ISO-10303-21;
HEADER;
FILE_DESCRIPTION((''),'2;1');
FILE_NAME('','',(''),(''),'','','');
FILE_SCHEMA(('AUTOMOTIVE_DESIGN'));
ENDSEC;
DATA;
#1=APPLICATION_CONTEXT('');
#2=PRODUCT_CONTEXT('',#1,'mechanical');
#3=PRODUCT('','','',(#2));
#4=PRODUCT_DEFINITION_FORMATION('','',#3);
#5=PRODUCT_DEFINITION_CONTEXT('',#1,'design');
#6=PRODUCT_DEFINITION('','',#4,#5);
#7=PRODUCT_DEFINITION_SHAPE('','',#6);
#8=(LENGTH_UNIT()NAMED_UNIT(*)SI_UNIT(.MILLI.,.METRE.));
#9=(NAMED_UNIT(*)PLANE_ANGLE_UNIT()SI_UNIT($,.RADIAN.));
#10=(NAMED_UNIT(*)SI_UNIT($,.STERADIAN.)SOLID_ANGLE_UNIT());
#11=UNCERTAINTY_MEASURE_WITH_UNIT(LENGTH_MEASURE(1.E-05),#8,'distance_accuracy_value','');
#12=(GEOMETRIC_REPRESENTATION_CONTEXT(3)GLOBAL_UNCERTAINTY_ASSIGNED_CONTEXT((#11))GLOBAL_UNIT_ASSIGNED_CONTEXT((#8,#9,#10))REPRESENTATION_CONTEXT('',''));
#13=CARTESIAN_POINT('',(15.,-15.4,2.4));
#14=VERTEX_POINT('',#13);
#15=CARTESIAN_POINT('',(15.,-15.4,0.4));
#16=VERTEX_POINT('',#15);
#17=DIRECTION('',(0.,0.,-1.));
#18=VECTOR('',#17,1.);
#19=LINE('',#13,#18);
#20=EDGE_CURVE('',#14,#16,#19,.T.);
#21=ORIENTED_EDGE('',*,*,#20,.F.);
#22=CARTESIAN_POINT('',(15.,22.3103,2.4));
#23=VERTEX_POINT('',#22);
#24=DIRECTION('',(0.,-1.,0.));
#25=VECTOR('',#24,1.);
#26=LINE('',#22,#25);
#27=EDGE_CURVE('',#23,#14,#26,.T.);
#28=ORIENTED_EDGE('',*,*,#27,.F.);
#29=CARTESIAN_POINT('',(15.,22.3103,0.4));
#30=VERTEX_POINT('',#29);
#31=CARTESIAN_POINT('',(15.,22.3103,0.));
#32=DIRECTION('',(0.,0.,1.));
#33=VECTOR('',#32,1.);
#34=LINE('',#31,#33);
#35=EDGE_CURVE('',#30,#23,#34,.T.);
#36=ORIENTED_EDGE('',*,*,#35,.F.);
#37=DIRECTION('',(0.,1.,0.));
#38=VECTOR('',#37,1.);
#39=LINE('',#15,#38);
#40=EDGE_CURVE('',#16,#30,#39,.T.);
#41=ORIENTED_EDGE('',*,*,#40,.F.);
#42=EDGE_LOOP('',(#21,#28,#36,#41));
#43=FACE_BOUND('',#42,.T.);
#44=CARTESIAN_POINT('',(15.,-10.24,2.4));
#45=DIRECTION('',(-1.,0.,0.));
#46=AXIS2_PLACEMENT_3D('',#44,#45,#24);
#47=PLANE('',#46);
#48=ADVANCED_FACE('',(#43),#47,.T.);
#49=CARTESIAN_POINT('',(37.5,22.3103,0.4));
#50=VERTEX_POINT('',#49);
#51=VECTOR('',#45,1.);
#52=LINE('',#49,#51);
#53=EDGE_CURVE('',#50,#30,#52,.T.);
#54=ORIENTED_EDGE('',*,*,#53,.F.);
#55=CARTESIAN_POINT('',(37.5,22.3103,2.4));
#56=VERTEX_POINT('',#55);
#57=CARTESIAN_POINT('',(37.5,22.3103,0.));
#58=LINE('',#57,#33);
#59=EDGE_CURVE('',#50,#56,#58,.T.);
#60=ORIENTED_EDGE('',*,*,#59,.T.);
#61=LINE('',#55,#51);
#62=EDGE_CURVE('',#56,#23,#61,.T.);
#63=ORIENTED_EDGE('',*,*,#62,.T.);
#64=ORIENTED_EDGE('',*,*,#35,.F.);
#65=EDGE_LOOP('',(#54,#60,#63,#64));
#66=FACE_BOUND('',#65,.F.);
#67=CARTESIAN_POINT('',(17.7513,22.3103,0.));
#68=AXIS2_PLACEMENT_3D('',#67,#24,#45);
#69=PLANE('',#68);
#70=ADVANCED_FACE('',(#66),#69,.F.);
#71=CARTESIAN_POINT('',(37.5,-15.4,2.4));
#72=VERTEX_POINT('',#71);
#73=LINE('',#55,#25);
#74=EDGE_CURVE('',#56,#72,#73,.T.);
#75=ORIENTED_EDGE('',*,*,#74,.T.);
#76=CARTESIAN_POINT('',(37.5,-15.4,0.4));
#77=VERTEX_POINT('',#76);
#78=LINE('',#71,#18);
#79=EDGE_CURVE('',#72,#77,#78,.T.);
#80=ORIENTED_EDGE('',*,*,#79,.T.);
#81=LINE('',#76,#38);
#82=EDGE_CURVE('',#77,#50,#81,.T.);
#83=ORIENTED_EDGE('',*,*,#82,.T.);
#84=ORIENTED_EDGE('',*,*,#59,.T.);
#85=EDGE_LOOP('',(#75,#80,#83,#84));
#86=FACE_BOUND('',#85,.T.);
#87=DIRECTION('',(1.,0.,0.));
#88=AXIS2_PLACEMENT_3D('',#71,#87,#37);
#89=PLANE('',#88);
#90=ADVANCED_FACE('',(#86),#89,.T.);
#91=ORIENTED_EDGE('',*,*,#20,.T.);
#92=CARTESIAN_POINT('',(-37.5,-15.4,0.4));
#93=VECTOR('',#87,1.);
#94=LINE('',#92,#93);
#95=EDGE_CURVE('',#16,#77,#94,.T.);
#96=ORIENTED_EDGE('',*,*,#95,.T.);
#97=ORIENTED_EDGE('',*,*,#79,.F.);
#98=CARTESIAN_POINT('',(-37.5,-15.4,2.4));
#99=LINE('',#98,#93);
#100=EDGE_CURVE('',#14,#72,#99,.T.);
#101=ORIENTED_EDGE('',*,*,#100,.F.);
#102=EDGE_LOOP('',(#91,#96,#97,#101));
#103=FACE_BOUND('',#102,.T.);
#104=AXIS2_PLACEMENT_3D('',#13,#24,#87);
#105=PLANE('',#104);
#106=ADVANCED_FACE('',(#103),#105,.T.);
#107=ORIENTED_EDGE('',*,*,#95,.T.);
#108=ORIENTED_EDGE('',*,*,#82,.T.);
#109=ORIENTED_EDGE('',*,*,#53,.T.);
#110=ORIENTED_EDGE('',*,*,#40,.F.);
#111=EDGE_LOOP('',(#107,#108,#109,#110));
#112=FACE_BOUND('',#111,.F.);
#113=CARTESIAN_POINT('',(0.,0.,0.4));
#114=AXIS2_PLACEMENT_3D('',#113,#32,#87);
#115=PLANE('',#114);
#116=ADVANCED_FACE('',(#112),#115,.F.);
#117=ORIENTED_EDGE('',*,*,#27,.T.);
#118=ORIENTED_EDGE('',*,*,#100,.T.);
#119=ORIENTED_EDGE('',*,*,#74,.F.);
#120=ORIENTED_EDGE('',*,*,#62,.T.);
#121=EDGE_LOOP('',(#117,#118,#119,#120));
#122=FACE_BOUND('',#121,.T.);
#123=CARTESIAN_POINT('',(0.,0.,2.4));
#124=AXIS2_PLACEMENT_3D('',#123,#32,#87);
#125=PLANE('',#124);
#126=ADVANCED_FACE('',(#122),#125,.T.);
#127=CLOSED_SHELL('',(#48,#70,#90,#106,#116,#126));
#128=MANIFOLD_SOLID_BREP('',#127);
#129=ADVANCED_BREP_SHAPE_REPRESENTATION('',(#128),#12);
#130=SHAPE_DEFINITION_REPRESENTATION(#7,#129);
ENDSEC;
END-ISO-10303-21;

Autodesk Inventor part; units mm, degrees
ref_plane "YZ Plane" through (0, 0, 0) normal (1, 0, 0) x (0, 1, 0)
ref_plane "XZ Plane" through (0, 0, 0) normal (0, 1, 0) x (-1, 0, 0)
ref_plane "XY Plane" through (0, 0, 0) normal (0, 0, 1) x (1, 0, 0)
sketch "Sketch1" plane through (0, 0, 0) normal (0, 0, 1) x (1, 0, 0)
  circle A0 centre (7.5, -12.2) radius 1.75 projected
  circle A1 centre (-7.5, -12.2) radius 1.75 projected
  line L0 (-15, -5.24) -> (-12.5, -5.24) projected
  arc A2 (-12.5, -10.24) -> (-12.5, -5.24) centre (-12.5, -7.74) ccw projected
  line L1 (-12.5, -10.24) -> (-15, -10.24) projected
  line L2 (-15, -10.24) -> (-15, -5.24) projected
  line L3 (12.5, -5.24) -> (15, -5.24) projected
  line L4 (15, -5.24) -> (15, -10.24) projected
  line L5 (15, -10.24) -> (12.5, -10.24) projected
  arc A3 (12.5, -5.24) -> (12.5, -10.24) centre (12.5, -7.74) ccw projected
  line L6 (37.5, -15.4) -> (37.5, 31.2121) projected
  line L7 (37.5, 31.2121) -> (14.8602, 31.2121) projected
  line L8 (14.8602, 31.2121) -> (14.8602, 15.1552) projected
  line L9 (14.8602, 15.1552) -> (2.8777, -5.8186) projected
  line L10 (2.8777, -5.8186) -> (-2.8777, -5.8186) projected
  line L11 (-2.8777, -5.8186) -> (-15, 15.4) projected
  line L12 (-15, 15.4) -> (-15, 31.2121) projected
  line L13 (-15, 31.2121) -> (-37.5, 31.2121) projected
  line L14 (-37.5, 31.2121) -> (-37.5, -15.4) projected
  line L15 (-37.5, -15.4) -> (37.5, -15.4) projected
  line L16 (44, 22.1656) -> (44, -5.24) projected
  line L17 (44, 3.8199) -> (40.2471, -6.356) projected
  line L18 (40.2471, -9.1241) -> (44, -19.3) projected
  line L19 (50, 15.6109) -> (-50, 15.6109) projected
  line L20 (50, 15.6109) -> (-50, 15.6109) projected
  line L21 (-14.8795, 22.2639) -> (-42.2795, 22.2397) projected
  line L22 (-21.0553, -5.1415) -> (-14.8553, -5.136) projected
  line L23 (17.7513, -5.24) -> (37.5, -5.24)
  line L24 (37.5, -5.24) -> (37.5, 22.3103)
  line L25 (37.5, 22.3103) -> (17.7513, 22.3103)
  line L26 (17.7513, 22.3103) -> (17.7513, -5.24)
  line L27 (37.5, 22.3103) -> (15, 22.3103)
  line L28 (15, 22.3103) -> (15, -5.24)
  line L29 (15, -5.24) -> (37.5, -5.24)
  line L30 (37.5, -5.24) -> (37.5, 22.3103)
  point P0 (0, 0)
extrude "Extrusion1" add sketch "Sketch1" along normal blind 2.4 contours L28 L19 L26 L29 | L28 L27 L26 L19 | L26 L19 L6 L23 | L26 L25 L6 L19
sketch "Sketch2" plane through (0, 0, 0) normal (0, 0, -1) x (-1, 0, 0)
  line L0 (-15, -5.24) -> (-37.5, -5.24) projected
  line L1 (-37.5, -5.24) -> (-37.5, 22.3103) projected
  line L2 (-37.5, 22.3103) -> (-15, 22.3103) projected
  line L3 (-15, 22.3103) -> (-15, -5.24) projected
  point P0 (0, 0)
extrude "Extrusion2" cut sketch "Sketch2" against normal blind 0.4
sketch "Sketch3" plane through (0, 0, 2.4) normal (0, 0, 1) x (1, 0, 0)
  line L0 (15, -5.24) -> (37.5, -5.24) projected
  line L1 (37.5, -5.24) -> (37.5, 22.3103) projected
  line L2 (37.5, 22.3103) -> (15, 22.3103) projected
  line L3 (15, 22.3103) -> (15, -5.24) projected
  circle A0 centre (7.5, -12.2) radius 1.75 projected
  circle A1 centre (-7.5, -12.2) radius 1.75 projected
  line L4 (-15, -5.24) -> (-12.5, -5.24) projected
  arc A2 (-12.5, -10.24) -> (-12.5, -5.24) centre (-12.5, -7.74) ccw projected
  line L5 (-12.5, -10.24) -> (-15, -10.24) projected
  line L6 (-15, -10.24) -> (-15, -5.24) projected
  line L7 (12.5, -5.24) -> (15, -5.24) projected
  line L8 (15, -5.24) -> (15, -10.24) projected
  line L9 (15, -10.24) -> (12.5, -10.24) projected
  arc A3 (12.5, -5.24) -> (12.5, -10.24) centre (12.5, -7.74) ccw projected
  line L10 (37.5, -15.4) -> (37.5, 31.2121) projected
  line L11 (37.5, 31.2121) -> (14.8602, 31.2121) projected
  line L12 (14.8602, 31.2121) -> (14.8602, 15.1552) projected
  line L13 (14.8602, 15.1552) -> (2.8777, -5.8186) projected
  line L14 (2.8777, -5.8186) -> (-2.8777, -5.8186) projected
  line L15 (-2.8777, -5.8186) -> (-15, 15.4) projected
  line L16 (-15, 15.4) -> (-15, 31.2121) projected
  line L17 (-15, 31.2121) -> (-37.5, 31.2121) projected
  line L18 (-37.5, 31.2121) -> (-37.5, -15.4) projected
  line L19 (-37.5, -15.4) -> (37.5, -15.4) projected
  line L20 (37.5, -5.24) -> (15, -5.24)
  line L21 (15, -5.24) -> (15, -15.4)
  line L22 (15, -15.4) -> (37.5, -15.4)
  line L23 (37.5, -15.4) -> (37.5, -5.24)
  point P0 (0, 0)
extrude "Extrusion3" add sketch "Sketch3" against normal blind 2 contours L0 L10 L19 L21 L8
properties part number "PCB_2"
